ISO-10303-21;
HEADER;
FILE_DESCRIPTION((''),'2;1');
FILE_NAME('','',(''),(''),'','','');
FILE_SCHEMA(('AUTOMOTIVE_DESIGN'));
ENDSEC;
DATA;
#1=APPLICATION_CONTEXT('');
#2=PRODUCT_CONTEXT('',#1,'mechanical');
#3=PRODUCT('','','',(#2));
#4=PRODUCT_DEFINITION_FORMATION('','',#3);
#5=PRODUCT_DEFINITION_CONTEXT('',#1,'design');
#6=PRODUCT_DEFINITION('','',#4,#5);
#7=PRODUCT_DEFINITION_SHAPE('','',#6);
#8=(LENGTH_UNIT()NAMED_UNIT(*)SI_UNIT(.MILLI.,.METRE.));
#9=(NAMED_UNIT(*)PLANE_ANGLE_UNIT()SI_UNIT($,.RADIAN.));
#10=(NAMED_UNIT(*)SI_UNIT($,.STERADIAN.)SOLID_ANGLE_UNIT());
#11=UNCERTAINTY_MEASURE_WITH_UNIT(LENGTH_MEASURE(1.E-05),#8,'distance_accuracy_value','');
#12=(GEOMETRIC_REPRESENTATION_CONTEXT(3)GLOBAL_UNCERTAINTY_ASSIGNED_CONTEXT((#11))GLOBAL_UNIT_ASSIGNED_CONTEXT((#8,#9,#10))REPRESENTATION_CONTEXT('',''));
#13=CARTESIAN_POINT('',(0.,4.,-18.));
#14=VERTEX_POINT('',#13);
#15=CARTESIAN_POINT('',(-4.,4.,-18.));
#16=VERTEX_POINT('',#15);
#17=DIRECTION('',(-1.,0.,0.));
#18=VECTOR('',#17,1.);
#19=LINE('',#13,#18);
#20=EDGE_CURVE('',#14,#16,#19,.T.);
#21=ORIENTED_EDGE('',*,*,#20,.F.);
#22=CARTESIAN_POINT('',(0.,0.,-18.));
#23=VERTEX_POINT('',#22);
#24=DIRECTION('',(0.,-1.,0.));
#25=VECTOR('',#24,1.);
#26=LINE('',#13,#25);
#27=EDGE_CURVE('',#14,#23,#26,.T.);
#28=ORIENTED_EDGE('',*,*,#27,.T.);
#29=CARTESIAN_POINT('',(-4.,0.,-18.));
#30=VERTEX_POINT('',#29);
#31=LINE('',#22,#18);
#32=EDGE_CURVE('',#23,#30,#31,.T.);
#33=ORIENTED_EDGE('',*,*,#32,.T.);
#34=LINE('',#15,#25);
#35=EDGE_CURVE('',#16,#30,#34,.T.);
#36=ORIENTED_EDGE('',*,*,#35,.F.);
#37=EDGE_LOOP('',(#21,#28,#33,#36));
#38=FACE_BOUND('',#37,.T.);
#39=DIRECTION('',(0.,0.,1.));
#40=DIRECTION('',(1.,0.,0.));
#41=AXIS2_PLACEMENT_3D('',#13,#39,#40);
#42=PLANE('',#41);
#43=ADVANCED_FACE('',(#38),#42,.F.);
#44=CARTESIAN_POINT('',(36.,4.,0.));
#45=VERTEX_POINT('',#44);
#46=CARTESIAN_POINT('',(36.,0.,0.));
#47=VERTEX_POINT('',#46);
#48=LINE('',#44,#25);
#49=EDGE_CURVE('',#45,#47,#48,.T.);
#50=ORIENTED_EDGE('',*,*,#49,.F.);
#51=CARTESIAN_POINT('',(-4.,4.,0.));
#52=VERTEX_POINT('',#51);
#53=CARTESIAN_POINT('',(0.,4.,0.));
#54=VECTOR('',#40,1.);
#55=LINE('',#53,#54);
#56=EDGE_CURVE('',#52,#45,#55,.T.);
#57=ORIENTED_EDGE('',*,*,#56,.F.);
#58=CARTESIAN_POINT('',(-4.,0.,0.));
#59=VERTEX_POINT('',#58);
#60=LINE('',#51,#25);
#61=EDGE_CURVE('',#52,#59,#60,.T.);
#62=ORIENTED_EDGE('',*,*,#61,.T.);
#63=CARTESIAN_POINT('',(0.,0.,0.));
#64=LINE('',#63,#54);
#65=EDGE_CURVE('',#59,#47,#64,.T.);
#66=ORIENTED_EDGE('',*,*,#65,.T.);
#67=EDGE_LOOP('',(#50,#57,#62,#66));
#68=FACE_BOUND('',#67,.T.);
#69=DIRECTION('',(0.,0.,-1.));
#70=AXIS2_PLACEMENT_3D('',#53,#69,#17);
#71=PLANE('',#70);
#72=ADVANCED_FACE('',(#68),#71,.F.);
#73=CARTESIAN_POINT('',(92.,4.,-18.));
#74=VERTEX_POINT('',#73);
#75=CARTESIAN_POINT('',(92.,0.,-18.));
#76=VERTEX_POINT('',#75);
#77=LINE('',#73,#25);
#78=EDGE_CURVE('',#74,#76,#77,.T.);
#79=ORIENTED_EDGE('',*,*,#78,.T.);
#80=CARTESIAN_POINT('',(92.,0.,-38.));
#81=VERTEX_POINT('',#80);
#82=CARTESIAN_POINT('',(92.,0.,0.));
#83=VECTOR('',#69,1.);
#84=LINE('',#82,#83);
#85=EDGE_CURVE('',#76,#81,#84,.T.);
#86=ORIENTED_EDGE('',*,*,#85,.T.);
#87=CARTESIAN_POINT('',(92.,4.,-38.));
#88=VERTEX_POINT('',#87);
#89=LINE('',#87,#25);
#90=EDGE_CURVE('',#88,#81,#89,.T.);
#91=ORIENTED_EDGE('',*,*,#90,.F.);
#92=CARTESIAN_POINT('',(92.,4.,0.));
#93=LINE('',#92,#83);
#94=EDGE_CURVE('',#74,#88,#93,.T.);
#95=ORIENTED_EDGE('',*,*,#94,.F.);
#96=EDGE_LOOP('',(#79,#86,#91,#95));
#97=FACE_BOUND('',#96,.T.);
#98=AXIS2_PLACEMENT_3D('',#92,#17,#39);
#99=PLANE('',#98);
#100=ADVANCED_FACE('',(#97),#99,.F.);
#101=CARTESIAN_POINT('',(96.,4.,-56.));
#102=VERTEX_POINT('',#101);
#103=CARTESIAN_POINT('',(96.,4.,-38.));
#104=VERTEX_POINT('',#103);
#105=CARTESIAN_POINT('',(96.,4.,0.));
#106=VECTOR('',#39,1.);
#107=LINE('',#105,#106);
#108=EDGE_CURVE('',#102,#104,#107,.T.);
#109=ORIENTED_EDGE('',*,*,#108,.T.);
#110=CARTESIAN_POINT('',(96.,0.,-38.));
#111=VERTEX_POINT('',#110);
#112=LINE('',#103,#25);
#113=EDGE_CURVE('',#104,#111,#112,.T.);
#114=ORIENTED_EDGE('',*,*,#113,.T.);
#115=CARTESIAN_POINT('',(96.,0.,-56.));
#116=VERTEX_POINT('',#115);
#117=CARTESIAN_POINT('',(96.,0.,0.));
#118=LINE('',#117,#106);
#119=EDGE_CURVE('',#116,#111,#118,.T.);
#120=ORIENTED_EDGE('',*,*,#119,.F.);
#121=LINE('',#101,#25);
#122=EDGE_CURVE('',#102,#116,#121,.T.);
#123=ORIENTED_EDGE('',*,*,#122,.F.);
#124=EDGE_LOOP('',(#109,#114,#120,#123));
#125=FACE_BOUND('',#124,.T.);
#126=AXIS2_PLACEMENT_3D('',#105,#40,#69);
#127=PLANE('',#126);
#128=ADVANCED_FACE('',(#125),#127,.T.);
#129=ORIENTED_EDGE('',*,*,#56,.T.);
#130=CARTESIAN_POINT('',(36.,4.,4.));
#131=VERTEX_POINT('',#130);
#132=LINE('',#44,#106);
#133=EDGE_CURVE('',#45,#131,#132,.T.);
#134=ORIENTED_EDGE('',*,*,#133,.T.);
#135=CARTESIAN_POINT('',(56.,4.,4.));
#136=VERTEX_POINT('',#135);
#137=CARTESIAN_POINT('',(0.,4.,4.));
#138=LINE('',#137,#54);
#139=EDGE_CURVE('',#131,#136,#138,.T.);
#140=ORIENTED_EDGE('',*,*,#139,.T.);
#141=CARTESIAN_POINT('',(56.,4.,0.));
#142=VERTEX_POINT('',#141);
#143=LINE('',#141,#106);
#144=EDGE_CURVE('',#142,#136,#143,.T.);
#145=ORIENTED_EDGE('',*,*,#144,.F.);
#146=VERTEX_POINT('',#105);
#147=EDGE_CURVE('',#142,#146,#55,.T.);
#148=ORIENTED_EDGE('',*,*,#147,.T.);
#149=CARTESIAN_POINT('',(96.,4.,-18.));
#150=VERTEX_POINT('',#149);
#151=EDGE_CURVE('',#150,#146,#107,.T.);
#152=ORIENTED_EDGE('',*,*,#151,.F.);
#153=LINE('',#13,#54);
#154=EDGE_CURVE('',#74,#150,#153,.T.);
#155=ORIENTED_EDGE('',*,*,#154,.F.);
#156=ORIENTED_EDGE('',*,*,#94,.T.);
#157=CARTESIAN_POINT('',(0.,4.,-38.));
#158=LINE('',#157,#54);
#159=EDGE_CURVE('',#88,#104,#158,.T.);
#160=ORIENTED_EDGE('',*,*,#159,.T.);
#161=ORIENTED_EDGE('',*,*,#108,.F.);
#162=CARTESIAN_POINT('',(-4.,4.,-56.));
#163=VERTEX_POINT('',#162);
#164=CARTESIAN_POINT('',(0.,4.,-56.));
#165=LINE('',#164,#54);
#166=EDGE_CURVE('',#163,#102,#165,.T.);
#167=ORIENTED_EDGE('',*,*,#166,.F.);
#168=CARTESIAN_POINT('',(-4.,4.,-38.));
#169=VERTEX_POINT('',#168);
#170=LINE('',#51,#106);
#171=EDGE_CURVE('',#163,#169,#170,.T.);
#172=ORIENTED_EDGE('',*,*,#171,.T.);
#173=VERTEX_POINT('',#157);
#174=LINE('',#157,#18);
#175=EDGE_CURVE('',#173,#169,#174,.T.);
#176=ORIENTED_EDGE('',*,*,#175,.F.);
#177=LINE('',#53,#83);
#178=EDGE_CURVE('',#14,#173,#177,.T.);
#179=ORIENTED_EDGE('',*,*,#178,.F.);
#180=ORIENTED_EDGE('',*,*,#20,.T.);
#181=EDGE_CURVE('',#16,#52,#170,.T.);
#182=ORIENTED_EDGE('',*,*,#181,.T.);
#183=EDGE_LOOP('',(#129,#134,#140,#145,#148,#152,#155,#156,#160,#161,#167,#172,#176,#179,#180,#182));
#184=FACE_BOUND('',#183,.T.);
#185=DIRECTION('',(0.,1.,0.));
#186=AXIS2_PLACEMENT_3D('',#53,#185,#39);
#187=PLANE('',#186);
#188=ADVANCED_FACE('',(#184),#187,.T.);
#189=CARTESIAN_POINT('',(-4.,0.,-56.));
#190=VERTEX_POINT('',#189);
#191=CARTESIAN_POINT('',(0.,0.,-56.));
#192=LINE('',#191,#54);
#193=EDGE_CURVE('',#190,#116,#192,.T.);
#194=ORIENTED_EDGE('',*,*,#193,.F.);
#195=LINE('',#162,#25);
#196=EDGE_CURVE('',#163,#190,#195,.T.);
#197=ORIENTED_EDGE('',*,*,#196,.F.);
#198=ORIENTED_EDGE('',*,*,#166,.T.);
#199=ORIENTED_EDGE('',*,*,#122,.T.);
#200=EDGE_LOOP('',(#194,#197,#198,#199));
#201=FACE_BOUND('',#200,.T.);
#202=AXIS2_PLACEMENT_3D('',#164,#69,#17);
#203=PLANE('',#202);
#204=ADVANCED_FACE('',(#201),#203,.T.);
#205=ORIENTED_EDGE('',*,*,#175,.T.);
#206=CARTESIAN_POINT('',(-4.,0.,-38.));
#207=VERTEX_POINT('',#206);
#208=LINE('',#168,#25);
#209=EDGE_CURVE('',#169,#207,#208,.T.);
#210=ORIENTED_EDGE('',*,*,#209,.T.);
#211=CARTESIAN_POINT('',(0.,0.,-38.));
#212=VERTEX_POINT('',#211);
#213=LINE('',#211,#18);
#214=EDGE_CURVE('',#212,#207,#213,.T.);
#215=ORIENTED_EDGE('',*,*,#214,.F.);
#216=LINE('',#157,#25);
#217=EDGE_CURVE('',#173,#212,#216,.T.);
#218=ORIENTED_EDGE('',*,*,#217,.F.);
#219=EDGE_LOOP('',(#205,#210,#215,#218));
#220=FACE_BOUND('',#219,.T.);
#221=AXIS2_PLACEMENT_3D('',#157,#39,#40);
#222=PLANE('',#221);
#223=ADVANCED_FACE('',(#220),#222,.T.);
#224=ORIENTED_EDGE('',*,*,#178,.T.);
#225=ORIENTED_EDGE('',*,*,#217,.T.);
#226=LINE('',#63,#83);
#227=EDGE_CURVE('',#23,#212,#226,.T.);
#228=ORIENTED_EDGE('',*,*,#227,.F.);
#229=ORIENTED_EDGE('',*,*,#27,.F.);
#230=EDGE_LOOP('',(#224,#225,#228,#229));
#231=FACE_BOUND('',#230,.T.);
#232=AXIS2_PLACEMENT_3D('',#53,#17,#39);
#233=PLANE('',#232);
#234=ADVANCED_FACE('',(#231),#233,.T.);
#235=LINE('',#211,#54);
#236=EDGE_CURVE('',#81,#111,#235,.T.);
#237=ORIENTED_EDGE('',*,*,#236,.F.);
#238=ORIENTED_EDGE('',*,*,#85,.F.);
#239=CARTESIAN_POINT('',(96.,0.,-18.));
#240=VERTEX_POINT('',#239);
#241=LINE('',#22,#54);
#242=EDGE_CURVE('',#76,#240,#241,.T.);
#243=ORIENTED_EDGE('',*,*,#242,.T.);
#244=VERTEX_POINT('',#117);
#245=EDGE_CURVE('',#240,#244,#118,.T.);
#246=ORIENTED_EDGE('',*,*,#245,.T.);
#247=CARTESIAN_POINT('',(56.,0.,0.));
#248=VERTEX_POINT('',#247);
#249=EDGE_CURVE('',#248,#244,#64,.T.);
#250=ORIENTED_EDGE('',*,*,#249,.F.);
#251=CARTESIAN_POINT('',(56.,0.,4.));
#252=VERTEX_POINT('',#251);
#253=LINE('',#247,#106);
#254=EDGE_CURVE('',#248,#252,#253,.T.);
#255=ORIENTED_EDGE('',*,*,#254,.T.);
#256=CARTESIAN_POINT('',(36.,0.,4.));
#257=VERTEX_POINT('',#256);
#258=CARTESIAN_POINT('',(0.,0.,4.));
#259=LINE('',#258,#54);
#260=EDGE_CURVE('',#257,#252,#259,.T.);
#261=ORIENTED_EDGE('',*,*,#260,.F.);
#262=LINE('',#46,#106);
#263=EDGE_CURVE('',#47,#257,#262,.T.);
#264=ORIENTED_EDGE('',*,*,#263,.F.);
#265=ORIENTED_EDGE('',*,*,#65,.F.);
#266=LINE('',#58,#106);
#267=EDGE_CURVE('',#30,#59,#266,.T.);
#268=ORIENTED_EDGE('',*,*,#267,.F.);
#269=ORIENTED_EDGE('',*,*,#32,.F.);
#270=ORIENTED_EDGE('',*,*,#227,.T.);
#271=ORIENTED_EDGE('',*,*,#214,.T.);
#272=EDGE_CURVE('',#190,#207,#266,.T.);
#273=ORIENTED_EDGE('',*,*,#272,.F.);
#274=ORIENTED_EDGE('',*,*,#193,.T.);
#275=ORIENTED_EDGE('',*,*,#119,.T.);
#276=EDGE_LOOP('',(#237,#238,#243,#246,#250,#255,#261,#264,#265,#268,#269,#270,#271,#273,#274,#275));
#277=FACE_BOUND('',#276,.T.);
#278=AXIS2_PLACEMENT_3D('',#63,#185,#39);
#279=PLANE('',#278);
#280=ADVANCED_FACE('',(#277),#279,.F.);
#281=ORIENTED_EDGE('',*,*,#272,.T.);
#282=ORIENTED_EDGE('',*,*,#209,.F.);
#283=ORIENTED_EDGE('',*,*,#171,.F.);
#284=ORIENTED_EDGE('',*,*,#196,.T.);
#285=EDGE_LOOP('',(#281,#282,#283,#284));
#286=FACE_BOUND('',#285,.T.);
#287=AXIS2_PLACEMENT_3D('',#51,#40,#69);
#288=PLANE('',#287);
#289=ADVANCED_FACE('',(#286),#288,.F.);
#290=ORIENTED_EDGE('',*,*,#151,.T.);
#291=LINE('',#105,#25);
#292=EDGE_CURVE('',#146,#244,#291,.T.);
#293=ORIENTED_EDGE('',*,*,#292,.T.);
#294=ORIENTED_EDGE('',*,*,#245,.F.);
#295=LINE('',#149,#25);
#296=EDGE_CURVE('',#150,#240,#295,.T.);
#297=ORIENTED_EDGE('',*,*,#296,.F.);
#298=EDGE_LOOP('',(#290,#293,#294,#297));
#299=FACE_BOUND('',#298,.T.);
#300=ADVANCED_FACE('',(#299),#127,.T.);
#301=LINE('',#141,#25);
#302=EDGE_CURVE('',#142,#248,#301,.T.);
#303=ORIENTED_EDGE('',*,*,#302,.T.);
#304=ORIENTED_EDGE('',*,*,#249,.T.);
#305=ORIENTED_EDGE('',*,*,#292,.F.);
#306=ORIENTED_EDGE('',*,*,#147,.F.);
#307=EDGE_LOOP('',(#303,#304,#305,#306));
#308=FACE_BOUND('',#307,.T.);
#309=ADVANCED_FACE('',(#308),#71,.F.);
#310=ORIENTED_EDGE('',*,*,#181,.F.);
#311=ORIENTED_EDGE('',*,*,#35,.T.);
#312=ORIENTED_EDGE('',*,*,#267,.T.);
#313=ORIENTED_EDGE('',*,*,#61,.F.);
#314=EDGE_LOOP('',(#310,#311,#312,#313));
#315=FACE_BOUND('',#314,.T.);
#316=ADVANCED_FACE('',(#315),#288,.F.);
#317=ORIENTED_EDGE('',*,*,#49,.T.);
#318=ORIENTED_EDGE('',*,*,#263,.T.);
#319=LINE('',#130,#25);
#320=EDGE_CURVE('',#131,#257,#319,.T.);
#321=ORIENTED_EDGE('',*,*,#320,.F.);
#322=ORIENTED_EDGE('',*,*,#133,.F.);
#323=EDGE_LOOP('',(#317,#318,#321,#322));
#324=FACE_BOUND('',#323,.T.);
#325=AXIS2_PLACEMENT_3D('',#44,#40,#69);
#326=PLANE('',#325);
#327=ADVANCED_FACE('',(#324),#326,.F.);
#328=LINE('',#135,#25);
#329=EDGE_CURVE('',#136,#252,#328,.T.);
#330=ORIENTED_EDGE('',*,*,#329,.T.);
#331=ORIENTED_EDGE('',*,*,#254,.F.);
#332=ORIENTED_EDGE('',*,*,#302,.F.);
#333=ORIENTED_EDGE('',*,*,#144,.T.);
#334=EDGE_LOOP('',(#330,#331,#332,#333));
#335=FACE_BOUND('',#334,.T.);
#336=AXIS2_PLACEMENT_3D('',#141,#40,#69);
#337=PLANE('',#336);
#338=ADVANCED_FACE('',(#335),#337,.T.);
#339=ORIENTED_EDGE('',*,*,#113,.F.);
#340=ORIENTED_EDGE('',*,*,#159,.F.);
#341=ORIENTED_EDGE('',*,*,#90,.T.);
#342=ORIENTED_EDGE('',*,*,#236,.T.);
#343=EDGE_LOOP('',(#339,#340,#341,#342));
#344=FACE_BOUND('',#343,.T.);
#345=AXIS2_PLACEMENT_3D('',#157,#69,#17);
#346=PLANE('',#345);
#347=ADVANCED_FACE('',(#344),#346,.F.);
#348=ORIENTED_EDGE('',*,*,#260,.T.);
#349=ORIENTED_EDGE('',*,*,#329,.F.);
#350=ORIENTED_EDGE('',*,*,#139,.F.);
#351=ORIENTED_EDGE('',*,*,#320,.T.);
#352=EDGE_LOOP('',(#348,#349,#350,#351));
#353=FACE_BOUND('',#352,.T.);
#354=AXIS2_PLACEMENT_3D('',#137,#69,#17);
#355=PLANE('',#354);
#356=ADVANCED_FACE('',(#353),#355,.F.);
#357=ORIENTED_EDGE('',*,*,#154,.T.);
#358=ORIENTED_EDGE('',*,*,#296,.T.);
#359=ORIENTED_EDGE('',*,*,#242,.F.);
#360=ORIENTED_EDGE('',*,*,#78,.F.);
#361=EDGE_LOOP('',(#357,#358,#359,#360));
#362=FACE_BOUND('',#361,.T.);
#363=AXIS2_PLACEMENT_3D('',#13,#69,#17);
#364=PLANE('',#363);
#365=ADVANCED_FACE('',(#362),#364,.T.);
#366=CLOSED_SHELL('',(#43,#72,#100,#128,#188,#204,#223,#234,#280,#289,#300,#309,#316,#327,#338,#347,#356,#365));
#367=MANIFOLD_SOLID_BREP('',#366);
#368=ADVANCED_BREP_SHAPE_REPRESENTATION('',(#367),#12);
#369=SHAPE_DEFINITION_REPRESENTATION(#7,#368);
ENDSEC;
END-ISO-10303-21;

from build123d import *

# Parameters (mm, degrees)
SKETCH_1_W      = 92
SKETCH_1_H      = 56
SKETCH_1_W_2    = 4
SKETCH_1_H_2    = 18
SKETCH_1_W_3    = 20
SKETCH_1_H_3    = 4
EXTRUDE_1_DEPTH = 4


with BuildPart() as part:
    # 草图1 → 凸台-拉伸1 (new body)
    with BuildSketch(Plane(origin=(0, 0, 0), x_dir=(1, 0, 0), z_dir=(0, 1, 0))):
        with Locations((46, 28)):
            Rectangle(SKETCH_1_W, SKETCH_1_H)
        with Locations((-2, 9)):
            Rectangle(SKETCH_1_W_2, SKETCH_1_H_2)
        with Locations((-2, 47)):
            Rectangle(SKETCH_1_W_2, SKETCH_1_H_2)
        with Locations((46, -2)):
            Rectangle(SKETCH_1_W_3, SKETCH_1_H_3)
        with Locations((94, 9)):
            Rectangle(SKETCH_1_W_2, SKETCH_1_H_2)
        with Locations((94, 47)):
            Rectangle(SKETCH_1_W_2, SKETCH_1_H_2)
    extrude(amount=EXTRUDE_1_DEPTH)


solid = part.part
